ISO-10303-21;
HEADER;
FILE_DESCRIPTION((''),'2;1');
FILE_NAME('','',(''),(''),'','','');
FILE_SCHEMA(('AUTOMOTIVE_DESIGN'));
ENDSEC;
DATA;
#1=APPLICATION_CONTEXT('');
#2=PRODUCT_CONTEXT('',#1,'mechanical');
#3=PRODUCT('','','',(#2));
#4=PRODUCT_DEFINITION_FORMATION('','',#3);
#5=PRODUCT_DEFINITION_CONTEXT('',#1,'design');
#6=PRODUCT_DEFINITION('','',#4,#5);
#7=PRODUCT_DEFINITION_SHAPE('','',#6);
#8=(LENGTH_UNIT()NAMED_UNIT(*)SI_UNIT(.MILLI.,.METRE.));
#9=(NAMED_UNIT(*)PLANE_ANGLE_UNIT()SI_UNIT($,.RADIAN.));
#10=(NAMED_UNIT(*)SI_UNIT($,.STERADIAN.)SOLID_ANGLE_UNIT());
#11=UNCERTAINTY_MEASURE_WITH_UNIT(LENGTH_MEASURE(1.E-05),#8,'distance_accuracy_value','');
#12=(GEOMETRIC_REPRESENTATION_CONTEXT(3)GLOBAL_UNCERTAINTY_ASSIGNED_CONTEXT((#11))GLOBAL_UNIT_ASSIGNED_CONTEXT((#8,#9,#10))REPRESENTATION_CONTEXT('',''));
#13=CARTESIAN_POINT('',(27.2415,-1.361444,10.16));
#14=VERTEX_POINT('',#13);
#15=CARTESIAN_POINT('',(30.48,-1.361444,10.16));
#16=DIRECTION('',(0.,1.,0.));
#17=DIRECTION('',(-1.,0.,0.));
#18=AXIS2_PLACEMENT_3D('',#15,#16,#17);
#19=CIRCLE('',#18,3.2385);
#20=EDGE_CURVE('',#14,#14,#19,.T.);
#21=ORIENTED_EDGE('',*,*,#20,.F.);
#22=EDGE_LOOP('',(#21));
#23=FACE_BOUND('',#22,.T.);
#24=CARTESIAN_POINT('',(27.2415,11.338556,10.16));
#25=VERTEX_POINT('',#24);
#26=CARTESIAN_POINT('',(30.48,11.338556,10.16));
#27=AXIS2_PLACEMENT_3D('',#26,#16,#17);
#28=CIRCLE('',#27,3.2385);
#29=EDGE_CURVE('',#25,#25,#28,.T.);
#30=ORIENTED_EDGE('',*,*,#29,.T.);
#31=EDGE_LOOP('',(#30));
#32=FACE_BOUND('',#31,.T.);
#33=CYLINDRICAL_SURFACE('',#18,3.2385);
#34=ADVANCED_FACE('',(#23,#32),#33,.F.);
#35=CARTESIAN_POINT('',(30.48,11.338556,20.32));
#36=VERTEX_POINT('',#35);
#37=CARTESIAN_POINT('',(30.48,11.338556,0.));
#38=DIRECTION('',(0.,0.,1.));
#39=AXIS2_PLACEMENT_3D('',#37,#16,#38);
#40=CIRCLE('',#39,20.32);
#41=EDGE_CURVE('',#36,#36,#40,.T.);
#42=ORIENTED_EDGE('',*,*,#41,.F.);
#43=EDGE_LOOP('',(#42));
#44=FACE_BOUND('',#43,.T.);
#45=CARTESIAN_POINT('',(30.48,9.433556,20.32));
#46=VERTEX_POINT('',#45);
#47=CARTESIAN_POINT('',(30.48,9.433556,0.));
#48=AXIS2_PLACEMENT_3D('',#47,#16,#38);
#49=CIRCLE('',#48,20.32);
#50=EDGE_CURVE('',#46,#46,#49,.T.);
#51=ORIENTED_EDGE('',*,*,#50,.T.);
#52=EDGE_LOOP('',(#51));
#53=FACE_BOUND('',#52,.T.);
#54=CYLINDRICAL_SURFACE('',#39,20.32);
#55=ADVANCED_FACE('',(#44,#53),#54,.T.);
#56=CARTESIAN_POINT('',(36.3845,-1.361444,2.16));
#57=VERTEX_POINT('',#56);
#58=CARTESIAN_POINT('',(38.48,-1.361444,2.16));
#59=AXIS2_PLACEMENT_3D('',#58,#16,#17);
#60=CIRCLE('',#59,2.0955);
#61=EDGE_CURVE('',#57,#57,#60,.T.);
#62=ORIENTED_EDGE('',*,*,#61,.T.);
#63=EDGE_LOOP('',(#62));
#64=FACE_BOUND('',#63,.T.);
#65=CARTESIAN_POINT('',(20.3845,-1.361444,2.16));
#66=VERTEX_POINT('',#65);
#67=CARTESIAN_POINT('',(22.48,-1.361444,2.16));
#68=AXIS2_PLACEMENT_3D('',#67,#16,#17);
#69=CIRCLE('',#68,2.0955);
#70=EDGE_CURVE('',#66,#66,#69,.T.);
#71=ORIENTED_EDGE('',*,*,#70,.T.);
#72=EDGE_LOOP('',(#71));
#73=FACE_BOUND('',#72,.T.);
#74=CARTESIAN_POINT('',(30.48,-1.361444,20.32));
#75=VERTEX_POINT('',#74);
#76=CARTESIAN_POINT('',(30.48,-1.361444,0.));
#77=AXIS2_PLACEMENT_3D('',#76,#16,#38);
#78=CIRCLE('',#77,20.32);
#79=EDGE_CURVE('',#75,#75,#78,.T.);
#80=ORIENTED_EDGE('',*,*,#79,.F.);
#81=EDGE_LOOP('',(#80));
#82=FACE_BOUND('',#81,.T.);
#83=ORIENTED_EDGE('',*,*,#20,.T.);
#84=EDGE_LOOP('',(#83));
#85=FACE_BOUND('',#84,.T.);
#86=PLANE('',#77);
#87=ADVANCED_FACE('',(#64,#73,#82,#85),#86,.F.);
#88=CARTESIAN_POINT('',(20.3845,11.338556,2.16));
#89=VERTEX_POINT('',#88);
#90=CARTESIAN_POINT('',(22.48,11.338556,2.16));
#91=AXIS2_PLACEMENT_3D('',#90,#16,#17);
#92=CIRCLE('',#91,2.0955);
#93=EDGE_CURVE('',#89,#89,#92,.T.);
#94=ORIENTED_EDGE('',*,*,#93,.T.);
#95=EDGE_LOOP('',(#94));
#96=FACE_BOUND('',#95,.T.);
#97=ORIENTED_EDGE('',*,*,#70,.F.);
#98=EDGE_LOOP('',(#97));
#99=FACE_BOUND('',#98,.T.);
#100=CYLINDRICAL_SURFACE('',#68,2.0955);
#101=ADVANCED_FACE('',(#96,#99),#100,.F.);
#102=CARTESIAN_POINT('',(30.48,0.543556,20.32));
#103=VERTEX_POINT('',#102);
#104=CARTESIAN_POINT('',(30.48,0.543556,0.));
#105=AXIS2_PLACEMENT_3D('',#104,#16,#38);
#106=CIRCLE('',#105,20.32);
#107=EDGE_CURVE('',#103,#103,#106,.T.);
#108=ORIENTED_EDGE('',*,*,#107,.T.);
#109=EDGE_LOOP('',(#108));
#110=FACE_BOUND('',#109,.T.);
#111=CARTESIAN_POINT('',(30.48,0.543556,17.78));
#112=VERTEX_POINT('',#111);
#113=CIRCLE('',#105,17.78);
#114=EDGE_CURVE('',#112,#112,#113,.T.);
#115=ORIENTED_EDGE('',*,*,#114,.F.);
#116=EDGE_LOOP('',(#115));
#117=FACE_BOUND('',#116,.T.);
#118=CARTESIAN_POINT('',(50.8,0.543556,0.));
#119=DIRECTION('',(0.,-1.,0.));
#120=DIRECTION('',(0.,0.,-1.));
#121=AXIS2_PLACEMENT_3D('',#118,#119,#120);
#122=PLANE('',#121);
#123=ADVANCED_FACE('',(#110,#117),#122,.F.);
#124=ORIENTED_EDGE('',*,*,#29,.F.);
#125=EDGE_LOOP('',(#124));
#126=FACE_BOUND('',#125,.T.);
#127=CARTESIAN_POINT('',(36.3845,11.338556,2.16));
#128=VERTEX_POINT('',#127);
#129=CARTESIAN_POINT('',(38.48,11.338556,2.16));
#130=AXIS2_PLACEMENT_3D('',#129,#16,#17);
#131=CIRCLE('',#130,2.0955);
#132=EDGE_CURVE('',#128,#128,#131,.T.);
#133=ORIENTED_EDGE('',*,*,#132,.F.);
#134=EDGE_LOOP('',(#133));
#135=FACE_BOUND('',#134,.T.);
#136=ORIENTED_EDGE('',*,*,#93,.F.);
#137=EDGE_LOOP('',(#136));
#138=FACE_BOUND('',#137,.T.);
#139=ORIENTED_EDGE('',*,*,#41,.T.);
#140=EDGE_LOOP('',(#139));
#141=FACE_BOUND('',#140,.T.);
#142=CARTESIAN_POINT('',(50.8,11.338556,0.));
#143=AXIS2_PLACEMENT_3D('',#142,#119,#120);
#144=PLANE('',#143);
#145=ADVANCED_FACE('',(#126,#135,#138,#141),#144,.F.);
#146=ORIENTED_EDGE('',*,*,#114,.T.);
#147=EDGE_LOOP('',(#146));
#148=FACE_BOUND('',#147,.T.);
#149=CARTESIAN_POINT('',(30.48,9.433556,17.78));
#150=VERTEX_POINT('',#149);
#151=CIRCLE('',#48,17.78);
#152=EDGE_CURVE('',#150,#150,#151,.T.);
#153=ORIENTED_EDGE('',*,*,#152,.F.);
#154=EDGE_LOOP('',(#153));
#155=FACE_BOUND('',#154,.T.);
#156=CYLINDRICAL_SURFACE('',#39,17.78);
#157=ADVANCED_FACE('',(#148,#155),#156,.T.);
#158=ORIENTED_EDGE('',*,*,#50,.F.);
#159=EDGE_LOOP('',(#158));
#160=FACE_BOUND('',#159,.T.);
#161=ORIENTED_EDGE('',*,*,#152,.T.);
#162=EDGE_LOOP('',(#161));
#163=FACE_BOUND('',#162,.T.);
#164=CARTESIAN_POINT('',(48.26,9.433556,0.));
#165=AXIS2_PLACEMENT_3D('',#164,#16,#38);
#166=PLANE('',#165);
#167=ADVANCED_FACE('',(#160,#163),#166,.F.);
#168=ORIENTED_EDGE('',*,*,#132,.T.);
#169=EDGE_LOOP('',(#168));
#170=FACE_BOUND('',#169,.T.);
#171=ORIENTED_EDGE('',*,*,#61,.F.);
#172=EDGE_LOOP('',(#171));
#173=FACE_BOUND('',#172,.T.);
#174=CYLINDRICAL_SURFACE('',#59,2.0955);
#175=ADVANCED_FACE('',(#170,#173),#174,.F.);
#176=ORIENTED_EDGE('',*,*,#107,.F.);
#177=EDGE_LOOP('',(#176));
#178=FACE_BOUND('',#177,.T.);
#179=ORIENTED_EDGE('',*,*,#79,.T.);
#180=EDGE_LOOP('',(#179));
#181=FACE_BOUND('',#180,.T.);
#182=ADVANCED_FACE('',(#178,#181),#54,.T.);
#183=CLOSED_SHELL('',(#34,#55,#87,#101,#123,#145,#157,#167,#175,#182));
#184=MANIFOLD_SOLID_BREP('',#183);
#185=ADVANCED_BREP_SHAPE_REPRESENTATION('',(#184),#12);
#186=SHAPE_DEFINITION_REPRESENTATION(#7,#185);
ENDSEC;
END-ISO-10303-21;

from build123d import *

# Parameters (mm, degrees)
SKETCH4_R          = 3.2385
SKETCH4_R_2        = 2.0955
CUT_EXTRUDE1_DEPTH = 13.7


with BuildPart() as part:
    # Sketch3 → Revolve1 (revolve)
    with BuildSketch(Plane.XY):
        Polygon((30.48, -1.361443582), (50.8, -1.361443582), (50.8, 0.543556418), (48.26, 0.543556418), (48.26, 9.433556418), (50.8, 9.433556418), (50.8, 11.338556418), (30.48, 11.338556418), align=None)
    revolve(axis=Axis((30.48, 11.338556418, 0), (0, -1, 0)))

    # Sketch4 → Cut-Extrude1 (cut, through all)
    with BuildSketch(Plane(origin=(0, 11.338556418, 0), x_dir=(1, 0, 0), z_dir=(0, 1, 0))):
        with Locations((30.48, -10.16)):
            Circle(SKETCH4_R)
        with Locations((22.48, -2.16)):
            Circle(SKETCH4_R_2)
        with Locations((38.48, -2.16)):
            Circle(SKETCH4_R_2)
    extrude(amount=-CUT_EXTRUDE1_DEPTH, mode=Mode.SUBTRACT)


solid = part.part
